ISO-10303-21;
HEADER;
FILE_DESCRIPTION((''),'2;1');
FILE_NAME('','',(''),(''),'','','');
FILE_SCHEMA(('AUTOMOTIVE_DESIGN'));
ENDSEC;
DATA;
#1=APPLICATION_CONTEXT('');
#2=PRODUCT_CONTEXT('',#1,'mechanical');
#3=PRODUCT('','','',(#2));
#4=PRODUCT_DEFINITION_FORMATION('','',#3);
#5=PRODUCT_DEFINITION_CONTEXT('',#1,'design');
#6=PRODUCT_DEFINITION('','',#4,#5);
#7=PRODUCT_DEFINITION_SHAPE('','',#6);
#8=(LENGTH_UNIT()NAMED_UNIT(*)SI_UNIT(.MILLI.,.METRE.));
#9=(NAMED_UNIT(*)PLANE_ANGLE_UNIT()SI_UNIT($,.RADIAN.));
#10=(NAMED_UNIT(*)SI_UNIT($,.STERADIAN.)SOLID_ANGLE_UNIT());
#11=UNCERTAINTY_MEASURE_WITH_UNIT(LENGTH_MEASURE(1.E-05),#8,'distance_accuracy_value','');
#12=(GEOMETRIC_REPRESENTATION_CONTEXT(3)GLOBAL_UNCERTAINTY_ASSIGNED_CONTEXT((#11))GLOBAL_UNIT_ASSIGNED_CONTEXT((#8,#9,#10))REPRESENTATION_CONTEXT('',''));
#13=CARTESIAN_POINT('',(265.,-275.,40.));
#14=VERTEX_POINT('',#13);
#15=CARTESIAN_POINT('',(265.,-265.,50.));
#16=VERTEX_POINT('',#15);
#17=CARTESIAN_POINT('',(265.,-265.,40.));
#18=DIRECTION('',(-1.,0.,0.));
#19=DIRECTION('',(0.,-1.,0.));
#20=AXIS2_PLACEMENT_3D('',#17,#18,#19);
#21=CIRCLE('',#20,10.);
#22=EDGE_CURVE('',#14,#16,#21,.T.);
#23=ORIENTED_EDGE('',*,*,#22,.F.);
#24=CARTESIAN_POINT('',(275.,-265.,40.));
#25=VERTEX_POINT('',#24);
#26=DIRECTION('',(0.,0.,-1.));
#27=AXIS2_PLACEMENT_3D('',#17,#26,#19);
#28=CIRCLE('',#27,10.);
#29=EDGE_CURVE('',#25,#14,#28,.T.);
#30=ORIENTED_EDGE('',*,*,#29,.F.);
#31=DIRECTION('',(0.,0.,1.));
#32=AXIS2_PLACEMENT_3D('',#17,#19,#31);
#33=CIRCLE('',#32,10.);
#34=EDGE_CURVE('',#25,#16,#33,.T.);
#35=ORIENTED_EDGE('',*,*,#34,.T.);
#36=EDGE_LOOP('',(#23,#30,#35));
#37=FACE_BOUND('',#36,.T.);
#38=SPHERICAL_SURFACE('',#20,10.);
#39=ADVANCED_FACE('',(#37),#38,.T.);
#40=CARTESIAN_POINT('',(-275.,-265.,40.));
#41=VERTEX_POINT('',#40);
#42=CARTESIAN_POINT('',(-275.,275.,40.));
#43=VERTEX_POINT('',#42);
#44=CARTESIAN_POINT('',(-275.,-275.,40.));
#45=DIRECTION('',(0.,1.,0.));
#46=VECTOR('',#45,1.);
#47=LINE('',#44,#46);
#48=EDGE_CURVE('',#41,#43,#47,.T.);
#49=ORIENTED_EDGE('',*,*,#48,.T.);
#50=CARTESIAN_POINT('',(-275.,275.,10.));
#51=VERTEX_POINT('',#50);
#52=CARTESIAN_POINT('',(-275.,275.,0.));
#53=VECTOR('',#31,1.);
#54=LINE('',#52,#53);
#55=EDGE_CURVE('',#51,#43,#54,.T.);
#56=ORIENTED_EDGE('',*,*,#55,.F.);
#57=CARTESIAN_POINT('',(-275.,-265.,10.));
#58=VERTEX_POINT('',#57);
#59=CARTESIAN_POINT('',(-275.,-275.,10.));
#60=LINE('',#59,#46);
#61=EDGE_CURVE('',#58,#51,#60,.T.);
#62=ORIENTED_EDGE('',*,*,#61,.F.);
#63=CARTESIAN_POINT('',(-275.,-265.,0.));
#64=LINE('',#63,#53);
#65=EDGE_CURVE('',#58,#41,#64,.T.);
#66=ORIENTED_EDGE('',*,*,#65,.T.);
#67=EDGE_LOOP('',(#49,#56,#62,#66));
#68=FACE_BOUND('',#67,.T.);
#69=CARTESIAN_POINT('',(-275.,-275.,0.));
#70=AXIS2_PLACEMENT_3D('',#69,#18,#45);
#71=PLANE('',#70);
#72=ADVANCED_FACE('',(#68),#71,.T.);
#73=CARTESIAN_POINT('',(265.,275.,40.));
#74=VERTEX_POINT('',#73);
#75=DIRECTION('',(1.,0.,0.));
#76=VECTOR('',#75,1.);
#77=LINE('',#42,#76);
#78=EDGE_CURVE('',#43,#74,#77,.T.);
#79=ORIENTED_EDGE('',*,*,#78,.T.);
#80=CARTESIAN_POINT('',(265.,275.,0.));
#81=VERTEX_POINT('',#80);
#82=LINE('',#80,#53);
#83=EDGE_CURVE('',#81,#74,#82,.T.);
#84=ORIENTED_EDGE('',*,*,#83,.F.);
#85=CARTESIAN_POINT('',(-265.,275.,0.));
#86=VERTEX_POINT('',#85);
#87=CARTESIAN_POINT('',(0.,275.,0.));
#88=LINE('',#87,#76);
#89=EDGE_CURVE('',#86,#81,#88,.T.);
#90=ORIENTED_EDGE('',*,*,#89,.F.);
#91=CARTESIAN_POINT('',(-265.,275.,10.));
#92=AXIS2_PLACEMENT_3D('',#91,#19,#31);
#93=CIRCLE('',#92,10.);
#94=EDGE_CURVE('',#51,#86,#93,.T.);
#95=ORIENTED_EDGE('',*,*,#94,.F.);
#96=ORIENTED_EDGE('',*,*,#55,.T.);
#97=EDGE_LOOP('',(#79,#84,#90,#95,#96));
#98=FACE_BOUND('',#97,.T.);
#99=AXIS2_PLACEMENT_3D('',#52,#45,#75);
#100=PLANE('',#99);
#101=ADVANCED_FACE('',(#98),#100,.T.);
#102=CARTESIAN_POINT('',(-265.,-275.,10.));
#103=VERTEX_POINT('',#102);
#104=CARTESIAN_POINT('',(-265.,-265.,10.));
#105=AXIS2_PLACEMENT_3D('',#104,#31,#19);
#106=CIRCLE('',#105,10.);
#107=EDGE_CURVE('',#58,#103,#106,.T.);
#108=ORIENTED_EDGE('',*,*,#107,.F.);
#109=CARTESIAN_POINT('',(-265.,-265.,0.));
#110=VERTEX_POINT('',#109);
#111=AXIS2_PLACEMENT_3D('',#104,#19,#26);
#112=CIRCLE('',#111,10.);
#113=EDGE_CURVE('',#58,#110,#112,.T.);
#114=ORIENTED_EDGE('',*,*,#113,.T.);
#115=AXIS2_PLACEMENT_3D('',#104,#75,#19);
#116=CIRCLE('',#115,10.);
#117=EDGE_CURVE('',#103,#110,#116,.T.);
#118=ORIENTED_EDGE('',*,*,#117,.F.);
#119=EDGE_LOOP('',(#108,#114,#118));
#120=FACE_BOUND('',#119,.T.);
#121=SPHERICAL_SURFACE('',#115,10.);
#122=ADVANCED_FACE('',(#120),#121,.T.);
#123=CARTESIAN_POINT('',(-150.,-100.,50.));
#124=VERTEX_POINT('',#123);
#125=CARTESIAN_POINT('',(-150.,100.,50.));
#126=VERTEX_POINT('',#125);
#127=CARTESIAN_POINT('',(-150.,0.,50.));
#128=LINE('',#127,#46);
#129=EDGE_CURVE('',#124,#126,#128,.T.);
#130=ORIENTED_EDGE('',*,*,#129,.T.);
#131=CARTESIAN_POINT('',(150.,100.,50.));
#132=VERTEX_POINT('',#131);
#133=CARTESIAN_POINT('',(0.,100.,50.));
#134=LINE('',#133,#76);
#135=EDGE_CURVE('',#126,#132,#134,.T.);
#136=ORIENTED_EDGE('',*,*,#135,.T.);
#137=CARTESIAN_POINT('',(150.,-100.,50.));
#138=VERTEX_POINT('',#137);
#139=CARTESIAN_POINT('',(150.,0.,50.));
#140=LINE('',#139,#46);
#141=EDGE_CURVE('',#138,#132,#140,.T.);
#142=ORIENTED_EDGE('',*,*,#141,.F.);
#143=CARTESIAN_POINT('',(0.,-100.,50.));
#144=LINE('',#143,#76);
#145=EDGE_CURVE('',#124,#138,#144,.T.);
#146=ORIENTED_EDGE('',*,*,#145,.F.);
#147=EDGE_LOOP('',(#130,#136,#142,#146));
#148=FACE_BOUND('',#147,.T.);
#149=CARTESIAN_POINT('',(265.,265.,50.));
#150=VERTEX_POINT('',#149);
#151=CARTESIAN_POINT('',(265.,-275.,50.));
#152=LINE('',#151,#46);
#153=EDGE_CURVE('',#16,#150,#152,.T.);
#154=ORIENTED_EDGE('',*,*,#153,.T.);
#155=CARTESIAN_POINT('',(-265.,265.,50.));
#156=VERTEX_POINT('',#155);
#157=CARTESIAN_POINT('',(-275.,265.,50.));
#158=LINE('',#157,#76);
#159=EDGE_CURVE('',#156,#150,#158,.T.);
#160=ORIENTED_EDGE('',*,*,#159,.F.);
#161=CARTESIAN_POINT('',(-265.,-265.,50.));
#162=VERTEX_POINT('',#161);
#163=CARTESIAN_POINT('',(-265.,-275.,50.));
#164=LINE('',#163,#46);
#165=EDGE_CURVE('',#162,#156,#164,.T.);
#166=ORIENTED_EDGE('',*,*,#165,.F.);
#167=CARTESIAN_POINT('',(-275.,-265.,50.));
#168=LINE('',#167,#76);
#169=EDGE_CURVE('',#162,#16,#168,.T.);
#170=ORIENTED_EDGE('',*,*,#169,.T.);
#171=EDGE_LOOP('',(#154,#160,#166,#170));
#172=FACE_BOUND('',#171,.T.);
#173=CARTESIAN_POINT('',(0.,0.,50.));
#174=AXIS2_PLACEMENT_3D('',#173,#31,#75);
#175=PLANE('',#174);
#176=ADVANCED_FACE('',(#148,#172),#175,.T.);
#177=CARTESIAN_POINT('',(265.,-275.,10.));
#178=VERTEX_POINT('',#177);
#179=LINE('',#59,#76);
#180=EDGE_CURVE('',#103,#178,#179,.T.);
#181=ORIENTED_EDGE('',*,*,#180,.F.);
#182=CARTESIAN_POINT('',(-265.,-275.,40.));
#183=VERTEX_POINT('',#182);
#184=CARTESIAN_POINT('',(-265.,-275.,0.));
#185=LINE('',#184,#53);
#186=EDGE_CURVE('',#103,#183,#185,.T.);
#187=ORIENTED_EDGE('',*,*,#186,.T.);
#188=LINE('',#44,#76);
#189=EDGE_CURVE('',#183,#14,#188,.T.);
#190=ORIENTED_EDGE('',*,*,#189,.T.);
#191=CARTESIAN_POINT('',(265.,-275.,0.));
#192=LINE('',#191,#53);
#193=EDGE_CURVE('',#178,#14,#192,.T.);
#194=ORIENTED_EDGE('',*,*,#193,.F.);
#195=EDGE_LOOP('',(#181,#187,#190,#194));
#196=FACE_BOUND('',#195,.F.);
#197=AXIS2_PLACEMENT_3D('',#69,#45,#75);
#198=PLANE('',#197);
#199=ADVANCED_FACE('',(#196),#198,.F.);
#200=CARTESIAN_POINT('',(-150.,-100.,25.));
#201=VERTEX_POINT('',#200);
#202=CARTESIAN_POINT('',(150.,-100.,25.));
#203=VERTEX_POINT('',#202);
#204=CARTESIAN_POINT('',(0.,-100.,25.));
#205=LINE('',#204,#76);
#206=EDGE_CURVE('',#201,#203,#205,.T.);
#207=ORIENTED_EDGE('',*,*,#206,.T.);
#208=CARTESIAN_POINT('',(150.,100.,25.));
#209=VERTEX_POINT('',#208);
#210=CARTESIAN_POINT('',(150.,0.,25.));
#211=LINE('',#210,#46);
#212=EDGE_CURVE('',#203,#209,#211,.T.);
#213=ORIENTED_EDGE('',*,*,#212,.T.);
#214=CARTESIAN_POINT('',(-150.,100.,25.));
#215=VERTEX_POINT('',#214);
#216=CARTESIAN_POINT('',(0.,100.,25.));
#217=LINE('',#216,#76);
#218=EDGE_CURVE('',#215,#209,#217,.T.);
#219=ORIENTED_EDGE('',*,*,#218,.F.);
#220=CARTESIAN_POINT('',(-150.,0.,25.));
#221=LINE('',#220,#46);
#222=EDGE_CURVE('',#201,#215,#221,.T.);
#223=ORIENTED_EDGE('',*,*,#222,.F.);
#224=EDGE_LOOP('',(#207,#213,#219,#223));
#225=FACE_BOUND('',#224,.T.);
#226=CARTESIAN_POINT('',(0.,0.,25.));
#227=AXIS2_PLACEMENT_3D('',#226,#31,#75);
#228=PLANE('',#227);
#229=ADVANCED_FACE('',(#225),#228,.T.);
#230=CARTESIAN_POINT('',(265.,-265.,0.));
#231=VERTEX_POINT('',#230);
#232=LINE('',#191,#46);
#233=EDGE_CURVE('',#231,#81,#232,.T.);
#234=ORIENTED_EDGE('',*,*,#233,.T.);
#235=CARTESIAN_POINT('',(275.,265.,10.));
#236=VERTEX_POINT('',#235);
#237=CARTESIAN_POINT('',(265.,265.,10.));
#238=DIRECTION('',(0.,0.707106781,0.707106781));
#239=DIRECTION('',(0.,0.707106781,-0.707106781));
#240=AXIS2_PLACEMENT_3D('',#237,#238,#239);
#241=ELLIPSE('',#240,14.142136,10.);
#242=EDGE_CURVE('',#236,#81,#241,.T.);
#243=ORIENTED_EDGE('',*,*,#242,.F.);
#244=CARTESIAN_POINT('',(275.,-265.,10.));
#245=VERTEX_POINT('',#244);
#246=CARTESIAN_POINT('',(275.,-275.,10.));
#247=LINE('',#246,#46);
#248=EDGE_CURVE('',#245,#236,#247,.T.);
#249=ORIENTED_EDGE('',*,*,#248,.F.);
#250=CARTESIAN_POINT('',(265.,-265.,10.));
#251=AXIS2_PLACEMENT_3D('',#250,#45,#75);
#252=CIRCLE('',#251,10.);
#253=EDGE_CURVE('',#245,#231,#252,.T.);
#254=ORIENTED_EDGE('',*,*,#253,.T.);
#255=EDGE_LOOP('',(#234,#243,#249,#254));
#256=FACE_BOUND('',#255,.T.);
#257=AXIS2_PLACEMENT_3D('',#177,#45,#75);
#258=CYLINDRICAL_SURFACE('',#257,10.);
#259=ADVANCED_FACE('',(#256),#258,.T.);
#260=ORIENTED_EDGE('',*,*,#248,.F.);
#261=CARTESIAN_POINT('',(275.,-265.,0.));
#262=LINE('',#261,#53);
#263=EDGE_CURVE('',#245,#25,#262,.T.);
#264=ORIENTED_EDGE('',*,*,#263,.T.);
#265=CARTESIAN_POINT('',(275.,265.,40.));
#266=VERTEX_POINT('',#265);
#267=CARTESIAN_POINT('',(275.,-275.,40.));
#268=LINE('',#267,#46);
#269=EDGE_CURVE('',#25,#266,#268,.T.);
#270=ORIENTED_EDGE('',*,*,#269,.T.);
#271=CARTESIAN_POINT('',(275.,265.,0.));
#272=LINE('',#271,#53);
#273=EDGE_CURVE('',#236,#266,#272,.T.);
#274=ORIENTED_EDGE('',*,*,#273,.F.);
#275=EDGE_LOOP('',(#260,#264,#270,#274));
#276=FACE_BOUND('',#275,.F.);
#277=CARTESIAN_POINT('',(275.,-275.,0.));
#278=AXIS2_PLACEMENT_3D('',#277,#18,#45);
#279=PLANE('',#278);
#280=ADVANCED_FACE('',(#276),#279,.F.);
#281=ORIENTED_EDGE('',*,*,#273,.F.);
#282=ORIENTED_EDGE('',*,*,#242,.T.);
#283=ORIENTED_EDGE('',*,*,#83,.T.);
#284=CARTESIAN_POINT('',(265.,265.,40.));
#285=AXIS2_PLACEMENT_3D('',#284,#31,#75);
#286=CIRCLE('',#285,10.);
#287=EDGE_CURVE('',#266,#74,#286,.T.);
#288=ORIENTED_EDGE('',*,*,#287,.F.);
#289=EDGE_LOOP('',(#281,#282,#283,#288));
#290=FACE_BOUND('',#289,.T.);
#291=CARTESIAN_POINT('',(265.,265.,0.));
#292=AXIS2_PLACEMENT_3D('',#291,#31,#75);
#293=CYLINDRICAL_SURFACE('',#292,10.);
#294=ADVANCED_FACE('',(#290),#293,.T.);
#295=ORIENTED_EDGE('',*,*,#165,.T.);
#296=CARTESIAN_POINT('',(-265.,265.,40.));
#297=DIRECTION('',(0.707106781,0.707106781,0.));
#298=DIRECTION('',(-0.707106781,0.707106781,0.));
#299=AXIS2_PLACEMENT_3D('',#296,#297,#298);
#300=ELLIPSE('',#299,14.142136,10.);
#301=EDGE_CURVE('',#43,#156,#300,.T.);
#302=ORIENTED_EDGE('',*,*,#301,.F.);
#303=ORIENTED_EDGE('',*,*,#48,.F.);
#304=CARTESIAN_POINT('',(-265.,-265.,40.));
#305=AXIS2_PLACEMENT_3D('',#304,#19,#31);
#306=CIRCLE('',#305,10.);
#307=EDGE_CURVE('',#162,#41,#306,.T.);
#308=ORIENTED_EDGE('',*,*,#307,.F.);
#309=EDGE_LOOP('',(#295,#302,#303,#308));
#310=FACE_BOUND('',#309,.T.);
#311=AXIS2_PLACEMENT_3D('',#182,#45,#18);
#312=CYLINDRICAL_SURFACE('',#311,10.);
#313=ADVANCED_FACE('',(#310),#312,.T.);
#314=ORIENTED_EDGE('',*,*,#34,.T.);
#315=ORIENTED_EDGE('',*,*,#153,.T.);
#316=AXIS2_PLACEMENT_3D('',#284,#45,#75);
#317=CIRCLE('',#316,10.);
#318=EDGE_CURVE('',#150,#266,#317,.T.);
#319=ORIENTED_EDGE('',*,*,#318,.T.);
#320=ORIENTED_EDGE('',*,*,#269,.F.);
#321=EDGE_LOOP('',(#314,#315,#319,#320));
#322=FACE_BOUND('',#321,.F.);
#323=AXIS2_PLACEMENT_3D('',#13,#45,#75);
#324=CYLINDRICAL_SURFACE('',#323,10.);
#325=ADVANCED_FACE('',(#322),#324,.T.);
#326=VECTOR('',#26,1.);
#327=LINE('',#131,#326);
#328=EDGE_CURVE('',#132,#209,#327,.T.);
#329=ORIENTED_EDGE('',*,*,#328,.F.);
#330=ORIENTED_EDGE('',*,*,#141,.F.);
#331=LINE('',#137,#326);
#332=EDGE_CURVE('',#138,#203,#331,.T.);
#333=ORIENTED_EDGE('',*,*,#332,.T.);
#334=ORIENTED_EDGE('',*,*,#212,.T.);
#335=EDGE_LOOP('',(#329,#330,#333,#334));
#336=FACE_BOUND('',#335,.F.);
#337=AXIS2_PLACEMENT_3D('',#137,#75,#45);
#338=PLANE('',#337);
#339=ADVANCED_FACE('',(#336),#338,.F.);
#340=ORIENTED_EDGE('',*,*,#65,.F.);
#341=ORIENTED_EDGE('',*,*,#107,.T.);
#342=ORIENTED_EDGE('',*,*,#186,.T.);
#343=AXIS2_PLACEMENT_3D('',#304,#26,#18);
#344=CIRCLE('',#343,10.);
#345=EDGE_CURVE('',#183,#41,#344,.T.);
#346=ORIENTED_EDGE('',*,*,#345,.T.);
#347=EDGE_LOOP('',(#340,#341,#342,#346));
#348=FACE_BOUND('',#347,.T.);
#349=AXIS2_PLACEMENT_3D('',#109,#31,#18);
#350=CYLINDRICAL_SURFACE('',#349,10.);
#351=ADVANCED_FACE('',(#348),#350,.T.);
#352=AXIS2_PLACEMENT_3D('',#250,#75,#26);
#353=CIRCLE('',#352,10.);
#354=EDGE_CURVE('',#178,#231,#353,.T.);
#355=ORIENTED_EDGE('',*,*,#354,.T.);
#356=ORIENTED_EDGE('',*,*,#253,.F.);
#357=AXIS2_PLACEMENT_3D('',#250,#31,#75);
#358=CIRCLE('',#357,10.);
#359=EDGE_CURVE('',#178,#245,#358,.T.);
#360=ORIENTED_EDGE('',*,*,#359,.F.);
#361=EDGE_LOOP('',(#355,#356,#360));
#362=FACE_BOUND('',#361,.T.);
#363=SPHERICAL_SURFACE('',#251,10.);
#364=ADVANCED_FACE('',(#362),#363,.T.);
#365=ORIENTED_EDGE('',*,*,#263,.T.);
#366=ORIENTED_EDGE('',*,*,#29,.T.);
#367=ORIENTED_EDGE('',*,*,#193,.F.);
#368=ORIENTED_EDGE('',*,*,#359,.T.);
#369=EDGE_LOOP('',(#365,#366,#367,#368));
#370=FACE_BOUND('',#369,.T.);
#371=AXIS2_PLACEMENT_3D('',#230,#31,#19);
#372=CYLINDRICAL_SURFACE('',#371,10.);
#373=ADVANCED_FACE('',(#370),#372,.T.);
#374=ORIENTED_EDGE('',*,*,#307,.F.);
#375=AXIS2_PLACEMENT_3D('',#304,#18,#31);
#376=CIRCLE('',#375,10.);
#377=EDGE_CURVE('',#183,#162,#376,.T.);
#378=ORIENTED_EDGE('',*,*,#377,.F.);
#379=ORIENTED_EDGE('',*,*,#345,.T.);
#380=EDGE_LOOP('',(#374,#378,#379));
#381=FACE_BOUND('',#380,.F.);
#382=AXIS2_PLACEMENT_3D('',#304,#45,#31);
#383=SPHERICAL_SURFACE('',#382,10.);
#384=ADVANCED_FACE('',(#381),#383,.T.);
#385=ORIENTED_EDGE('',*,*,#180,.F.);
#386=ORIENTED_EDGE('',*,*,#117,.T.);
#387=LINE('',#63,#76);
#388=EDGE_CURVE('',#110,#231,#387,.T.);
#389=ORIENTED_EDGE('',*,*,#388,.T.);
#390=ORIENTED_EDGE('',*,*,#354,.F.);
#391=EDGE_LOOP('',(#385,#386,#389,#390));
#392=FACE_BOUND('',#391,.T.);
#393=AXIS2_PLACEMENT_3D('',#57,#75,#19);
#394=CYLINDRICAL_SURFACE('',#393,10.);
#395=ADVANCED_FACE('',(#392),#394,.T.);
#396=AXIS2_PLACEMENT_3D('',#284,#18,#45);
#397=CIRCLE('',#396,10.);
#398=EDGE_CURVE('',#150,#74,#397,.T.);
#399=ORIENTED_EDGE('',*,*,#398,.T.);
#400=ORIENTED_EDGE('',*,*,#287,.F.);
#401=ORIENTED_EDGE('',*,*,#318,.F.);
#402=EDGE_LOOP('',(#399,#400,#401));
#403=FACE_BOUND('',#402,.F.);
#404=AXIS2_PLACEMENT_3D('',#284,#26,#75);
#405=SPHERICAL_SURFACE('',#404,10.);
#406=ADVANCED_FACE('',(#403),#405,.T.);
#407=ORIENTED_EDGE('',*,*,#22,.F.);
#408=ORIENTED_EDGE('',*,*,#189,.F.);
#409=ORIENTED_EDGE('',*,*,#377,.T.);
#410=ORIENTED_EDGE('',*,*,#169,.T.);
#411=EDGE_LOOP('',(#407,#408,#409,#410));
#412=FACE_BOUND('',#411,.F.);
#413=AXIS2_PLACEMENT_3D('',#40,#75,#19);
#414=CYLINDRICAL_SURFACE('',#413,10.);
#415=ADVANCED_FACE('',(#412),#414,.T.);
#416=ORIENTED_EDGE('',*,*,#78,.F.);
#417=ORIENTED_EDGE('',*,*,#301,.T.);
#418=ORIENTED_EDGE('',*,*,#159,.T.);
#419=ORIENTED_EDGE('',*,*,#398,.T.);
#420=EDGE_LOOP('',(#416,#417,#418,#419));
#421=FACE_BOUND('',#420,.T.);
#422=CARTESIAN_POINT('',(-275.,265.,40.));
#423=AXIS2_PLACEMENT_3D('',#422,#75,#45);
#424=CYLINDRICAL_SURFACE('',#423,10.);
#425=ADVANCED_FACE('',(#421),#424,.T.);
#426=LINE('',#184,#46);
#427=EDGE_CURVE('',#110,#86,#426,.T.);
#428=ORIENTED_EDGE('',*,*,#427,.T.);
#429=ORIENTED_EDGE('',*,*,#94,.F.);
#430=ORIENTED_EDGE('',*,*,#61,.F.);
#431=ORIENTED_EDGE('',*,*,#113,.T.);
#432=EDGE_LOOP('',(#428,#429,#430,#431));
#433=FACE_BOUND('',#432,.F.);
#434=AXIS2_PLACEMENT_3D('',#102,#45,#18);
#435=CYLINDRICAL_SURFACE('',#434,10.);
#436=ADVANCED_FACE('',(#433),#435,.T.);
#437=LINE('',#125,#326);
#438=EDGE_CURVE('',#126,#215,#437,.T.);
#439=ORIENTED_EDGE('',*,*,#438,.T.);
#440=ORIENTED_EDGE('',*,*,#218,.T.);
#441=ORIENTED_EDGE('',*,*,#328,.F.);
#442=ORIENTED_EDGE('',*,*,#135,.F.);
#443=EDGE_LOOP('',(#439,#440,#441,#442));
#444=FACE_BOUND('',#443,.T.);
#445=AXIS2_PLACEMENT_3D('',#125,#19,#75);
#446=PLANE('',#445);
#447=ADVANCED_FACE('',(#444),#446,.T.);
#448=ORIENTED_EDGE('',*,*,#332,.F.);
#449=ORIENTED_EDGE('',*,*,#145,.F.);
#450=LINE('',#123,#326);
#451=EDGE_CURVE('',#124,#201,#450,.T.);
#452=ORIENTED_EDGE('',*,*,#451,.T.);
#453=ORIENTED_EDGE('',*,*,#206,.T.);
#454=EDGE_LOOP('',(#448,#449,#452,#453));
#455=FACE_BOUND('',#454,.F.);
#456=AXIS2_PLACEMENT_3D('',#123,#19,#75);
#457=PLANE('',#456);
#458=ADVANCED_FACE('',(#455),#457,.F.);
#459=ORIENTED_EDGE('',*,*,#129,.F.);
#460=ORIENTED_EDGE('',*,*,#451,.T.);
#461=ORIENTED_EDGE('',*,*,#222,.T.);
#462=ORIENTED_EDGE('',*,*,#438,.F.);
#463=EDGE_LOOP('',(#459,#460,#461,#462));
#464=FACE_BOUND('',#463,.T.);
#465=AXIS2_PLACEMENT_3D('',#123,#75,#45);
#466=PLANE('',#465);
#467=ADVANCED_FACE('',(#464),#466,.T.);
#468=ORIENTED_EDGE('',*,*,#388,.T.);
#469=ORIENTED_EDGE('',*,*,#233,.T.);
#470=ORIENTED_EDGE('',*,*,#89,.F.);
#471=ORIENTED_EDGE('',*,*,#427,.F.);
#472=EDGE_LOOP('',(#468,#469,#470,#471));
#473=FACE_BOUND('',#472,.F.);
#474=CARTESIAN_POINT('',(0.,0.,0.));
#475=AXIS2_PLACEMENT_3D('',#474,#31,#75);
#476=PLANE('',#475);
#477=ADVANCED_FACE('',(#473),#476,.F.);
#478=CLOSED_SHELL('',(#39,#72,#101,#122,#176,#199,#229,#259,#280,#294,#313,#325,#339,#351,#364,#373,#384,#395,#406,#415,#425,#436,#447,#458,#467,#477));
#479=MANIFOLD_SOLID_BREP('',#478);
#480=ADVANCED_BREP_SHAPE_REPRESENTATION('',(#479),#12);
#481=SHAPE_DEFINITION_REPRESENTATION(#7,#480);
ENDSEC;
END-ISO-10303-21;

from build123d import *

# Parameters (mm, degrees)
F0_W     = 550
F0_H     = 550
F1_DEPTH = 50
F2_R     = 10
F3_W     = 300
F3_H     = 200
F4_DEPTH = 25


with BuildPart() as f1:
    # F0 (on Top) → F1 (new body)
    with BuildSketch(Plane.XY):
        Rectangle(F0_W, F0_H)
    extrude(amount=F1_DEPTH)

    # F2
    f2_edges = [f1.edges().sort_by_distance(p)[0] for p in [
        (-275, 0, 50),
        (0, -275, 50),
        (275, 0, 0),
        (275, -275, 25),
        (275, 275, 25),
        (275, 0, 50),
        (0, 275, 50),
        (0, -275, 0),
        (-275, -275, 25),
        (-275, 0, 0),
    ]]
    fillet(f2_edges, radius=F2_R)

    # F3 (on face) → F4 (cut)
    with BuildSketch(Plane.XY.offset(50)):
        Rectangle(F3_W, F3_H)
    extrude(amount=-F4_DEPTH, mode=Mode.SUBTRACT)


solid = f1.part
